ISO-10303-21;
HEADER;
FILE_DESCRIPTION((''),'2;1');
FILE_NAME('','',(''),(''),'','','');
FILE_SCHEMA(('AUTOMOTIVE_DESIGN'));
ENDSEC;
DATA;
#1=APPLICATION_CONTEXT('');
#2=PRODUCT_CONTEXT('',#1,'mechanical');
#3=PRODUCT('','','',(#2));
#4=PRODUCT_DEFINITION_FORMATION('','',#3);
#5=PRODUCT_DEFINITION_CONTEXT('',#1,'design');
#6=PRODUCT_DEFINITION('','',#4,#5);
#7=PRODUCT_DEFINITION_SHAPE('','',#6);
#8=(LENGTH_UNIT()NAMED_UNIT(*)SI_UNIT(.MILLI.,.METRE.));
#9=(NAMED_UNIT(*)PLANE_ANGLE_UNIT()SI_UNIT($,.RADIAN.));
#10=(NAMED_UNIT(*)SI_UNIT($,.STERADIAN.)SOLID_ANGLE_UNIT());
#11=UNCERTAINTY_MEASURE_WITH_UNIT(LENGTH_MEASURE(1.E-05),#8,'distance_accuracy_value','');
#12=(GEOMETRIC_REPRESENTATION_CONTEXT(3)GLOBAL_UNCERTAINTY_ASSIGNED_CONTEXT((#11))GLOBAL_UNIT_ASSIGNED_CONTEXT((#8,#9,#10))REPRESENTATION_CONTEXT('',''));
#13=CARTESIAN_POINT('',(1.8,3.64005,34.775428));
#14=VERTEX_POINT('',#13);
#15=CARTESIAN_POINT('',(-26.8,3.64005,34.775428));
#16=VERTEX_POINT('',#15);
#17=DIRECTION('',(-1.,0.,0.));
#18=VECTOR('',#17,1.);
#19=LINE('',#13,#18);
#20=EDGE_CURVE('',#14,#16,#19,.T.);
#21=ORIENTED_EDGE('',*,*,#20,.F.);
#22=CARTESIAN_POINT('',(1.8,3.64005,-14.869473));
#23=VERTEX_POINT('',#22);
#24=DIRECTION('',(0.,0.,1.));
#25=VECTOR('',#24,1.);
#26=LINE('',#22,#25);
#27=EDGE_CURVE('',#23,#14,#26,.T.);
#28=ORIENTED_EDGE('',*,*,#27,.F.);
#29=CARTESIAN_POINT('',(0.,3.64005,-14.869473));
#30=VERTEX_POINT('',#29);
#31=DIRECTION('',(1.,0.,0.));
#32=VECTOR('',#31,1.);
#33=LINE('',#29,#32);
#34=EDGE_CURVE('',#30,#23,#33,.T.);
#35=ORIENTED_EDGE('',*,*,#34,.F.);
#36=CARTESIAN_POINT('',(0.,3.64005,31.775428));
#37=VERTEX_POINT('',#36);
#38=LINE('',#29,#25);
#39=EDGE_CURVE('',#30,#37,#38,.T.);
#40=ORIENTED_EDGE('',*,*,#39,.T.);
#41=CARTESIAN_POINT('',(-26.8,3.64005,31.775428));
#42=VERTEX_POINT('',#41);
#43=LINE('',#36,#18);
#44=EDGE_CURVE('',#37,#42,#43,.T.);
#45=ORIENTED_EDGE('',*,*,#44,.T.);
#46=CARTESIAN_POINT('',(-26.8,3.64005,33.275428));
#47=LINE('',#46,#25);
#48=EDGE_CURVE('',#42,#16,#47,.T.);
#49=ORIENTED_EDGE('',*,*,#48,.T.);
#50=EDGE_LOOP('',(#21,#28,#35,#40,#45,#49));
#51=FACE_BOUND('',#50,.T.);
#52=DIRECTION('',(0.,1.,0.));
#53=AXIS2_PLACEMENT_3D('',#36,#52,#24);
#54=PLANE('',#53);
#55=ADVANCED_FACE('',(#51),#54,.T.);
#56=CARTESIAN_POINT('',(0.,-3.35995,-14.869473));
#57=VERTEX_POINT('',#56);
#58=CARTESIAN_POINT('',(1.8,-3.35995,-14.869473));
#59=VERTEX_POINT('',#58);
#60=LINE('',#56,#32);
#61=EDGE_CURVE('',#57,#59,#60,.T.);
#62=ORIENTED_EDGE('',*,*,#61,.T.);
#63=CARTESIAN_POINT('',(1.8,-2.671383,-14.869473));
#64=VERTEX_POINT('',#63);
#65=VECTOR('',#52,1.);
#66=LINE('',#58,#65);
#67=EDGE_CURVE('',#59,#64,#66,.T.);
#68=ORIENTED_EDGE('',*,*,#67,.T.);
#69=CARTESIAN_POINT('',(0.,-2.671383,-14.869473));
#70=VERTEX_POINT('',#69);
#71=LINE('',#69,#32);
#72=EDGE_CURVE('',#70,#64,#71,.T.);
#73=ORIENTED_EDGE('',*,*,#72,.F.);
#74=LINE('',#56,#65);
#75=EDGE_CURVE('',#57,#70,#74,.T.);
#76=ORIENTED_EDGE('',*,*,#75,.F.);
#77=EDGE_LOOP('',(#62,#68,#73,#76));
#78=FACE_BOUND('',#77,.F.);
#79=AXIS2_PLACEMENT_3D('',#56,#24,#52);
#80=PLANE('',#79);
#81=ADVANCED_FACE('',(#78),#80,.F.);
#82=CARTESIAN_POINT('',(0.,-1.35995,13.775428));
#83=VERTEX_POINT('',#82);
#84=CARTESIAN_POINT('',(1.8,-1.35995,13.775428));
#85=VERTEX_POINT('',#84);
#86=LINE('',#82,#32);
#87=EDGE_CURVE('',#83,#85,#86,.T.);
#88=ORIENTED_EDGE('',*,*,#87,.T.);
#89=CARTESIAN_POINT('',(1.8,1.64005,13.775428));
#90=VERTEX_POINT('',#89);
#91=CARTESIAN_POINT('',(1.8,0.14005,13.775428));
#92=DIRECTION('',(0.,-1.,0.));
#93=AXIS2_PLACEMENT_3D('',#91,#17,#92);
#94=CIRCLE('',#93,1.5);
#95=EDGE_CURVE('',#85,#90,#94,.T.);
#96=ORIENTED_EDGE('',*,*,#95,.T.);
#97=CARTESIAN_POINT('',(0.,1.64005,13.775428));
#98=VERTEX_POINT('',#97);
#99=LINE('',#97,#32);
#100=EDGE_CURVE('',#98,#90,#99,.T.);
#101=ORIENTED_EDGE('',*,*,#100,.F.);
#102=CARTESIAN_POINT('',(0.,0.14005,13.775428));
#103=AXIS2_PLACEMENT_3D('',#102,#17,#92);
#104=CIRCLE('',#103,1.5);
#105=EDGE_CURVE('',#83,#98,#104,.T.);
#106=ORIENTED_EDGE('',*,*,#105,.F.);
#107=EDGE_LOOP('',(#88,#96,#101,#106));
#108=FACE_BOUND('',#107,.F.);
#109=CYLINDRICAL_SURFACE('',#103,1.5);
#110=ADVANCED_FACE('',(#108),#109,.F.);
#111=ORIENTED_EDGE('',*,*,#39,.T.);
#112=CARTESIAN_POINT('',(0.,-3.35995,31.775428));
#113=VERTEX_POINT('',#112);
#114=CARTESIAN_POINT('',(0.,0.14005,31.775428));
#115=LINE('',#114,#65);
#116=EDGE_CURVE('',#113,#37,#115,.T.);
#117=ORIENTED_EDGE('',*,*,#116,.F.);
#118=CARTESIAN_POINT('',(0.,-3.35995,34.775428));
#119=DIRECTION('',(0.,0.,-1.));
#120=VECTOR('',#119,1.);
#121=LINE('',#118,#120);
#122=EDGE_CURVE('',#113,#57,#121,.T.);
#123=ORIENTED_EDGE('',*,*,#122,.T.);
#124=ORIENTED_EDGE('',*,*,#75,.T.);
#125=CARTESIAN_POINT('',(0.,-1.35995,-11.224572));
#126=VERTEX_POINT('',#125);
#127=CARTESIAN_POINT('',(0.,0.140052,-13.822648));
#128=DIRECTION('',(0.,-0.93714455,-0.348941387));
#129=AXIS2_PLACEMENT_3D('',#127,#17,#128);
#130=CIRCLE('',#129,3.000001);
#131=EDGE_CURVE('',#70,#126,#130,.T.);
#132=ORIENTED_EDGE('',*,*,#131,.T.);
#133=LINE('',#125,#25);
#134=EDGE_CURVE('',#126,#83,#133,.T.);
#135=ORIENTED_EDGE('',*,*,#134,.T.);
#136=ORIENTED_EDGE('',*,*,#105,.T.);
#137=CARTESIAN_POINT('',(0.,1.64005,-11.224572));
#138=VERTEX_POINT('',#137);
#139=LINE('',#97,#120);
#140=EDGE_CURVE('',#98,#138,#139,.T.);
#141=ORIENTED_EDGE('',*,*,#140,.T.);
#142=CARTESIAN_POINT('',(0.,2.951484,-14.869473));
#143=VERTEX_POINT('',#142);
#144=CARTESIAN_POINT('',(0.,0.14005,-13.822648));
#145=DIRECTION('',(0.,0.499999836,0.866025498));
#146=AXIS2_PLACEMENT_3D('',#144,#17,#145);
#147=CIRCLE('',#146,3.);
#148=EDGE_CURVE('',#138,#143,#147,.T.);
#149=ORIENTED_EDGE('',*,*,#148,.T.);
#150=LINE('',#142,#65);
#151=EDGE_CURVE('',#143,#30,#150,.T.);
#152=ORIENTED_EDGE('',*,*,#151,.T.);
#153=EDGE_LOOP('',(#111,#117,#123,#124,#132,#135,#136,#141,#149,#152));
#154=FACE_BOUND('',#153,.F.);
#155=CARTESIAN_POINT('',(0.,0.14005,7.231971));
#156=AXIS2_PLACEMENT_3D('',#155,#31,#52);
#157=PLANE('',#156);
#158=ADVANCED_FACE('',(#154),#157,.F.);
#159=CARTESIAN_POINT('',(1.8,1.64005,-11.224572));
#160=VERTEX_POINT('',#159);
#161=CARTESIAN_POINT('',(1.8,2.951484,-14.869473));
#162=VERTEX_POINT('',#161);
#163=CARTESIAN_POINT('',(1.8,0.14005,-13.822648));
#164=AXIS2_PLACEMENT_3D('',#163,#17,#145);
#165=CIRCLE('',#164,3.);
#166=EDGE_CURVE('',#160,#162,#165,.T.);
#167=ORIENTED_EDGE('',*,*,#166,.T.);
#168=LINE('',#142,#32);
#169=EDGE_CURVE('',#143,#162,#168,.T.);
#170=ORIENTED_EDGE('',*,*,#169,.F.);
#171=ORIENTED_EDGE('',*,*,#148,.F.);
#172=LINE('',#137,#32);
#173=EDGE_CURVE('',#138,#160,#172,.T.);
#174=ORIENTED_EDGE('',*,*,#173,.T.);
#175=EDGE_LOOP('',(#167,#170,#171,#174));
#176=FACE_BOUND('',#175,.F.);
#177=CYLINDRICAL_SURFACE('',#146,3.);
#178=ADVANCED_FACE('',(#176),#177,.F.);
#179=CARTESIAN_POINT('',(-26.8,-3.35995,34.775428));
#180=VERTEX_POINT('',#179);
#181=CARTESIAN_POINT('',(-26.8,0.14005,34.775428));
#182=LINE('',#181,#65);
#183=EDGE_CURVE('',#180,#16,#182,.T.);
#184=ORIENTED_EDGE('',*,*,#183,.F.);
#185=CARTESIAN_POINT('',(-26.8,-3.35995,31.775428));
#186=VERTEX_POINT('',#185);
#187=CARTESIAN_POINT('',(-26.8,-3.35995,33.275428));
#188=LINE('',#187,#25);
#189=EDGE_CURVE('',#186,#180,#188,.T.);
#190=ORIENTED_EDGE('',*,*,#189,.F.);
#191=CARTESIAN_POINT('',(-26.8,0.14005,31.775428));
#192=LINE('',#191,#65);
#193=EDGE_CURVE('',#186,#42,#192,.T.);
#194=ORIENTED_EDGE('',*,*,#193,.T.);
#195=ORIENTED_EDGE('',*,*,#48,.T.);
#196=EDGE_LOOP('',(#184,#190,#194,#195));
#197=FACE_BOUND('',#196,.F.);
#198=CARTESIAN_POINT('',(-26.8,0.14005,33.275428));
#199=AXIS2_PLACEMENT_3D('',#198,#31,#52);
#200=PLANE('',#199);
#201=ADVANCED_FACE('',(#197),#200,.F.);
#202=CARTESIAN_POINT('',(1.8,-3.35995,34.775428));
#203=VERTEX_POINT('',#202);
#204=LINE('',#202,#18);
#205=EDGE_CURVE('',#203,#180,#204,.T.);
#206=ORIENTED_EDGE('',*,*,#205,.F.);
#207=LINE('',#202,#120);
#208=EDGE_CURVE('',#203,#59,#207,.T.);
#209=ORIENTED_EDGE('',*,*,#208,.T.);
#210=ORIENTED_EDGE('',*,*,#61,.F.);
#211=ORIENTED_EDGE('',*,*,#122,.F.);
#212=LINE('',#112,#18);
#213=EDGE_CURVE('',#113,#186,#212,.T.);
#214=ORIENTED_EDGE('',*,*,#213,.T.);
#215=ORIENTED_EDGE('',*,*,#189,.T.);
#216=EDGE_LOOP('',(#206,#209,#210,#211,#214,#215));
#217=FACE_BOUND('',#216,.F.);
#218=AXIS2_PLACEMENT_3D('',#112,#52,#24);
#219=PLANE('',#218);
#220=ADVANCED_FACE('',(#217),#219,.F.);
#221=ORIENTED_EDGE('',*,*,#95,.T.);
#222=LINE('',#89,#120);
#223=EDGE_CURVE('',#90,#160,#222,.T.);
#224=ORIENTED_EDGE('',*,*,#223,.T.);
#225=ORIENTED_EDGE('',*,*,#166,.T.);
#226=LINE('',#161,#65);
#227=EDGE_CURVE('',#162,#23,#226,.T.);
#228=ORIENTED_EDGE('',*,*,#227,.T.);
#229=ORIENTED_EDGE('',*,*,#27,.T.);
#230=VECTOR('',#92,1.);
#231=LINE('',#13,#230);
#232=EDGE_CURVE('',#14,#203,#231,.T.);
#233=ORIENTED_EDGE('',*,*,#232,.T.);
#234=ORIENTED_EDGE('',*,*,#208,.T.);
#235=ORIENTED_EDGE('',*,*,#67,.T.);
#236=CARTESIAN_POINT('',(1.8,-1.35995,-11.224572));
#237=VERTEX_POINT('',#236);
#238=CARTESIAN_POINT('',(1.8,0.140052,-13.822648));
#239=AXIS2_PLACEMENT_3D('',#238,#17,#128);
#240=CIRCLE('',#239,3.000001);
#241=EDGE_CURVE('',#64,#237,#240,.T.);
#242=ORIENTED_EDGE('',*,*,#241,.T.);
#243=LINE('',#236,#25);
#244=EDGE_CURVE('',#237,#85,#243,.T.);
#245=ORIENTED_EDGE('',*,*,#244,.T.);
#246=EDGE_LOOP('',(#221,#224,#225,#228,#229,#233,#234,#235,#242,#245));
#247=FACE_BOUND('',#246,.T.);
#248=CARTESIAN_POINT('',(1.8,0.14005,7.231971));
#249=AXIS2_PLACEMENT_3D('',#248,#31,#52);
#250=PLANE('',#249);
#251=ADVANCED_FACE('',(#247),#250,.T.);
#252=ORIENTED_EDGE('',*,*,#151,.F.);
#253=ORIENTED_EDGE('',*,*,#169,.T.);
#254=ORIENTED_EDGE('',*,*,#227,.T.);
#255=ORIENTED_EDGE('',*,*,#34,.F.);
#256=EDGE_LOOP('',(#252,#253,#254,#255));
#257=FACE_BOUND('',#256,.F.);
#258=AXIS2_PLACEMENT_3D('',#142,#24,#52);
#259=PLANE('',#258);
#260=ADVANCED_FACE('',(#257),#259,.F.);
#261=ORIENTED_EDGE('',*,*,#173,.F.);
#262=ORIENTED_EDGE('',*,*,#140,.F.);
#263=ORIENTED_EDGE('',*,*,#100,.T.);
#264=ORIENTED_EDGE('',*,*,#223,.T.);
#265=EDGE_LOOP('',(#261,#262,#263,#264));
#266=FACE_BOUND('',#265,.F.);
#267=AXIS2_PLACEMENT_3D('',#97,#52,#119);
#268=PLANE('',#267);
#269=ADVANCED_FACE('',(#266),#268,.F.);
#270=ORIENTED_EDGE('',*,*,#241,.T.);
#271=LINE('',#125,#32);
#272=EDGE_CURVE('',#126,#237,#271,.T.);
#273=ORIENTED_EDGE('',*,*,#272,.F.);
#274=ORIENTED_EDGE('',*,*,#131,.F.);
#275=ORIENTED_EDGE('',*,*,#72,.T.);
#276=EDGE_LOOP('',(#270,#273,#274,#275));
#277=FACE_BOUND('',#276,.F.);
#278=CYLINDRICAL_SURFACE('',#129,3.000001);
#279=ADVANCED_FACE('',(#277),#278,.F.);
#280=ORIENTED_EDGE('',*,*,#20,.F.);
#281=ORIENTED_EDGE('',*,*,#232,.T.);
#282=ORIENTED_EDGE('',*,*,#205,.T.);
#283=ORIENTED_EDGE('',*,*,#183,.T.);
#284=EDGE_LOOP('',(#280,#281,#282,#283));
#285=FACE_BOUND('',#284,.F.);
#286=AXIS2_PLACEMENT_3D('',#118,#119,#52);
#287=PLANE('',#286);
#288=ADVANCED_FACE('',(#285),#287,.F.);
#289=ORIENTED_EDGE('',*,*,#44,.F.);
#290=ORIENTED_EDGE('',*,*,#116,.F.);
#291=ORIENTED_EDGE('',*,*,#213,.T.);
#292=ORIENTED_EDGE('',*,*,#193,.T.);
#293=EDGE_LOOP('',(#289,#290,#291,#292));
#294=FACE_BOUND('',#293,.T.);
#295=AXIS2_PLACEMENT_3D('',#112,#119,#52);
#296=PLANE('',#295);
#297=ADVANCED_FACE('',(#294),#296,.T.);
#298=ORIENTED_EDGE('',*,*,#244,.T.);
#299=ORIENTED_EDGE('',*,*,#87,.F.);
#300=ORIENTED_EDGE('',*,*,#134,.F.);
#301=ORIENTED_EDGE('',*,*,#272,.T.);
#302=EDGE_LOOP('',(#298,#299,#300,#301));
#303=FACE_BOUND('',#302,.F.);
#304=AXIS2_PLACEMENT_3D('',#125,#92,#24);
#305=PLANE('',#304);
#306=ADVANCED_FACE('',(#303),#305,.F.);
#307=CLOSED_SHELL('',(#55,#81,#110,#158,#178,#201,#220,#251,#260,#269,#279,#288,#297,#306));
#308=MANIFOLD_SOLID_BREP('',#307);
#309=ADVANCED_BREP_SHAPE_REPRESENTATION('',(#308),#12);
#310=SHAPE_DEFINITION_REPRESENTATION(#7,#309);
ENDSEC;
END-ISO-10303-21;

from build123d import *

# Parameters (mm, degrees)
F2_DEPTH = 1.8
F3_W     = 7
F3_H     = 3
F4_DEPTH = 26.8


with BuildPart() as f2:
    # F0 (on Right) → F2 (new body)
    with BuildSketch(Plane.YZ):
        with BuildLine():
            Line((-1.35995, -11.224572), (-1.35995, 13.775428))
            ThreePointArc((-1.35995, 13.775428), (0.14005, 15.275428), (1.64005, 13.775428))
            Line((1.64005, 13.775428), (1.64005, -11.224572))
            ThreePointArc((1.64005, -11.224572), (2.962893, -12.806991), (2.951484, -14.869473))
            Line((2.951484, -14.869473), (3.64005, -14.869473))
            Line((3.64005, -14.869473), (3.64005, 34.775428))
            Line((3.64005, 34.775428), (-3.35995, 34.775428))
            Line((-3.35995, 34.775428), (-3.35995, -14.869473))
            Line((-3.35995, -14.869473), (-2.671383, -14.869473))
            ThreePointArc((-2.671383, -14.869473), (-2.682792, -12.806991), (-1.35995, -11.224572))
        make_face()
    extrude(amount=F2_DEPTH)

    # F3 (on face) → F4 (join)
    with BuildSketch(Plane.YZ):
        with Locations((0.14005, 33.275428)):
            Rectangle(F3_W, F3_H)
    extrude(amount=-F4_DEPTH)


solid = f2.part
